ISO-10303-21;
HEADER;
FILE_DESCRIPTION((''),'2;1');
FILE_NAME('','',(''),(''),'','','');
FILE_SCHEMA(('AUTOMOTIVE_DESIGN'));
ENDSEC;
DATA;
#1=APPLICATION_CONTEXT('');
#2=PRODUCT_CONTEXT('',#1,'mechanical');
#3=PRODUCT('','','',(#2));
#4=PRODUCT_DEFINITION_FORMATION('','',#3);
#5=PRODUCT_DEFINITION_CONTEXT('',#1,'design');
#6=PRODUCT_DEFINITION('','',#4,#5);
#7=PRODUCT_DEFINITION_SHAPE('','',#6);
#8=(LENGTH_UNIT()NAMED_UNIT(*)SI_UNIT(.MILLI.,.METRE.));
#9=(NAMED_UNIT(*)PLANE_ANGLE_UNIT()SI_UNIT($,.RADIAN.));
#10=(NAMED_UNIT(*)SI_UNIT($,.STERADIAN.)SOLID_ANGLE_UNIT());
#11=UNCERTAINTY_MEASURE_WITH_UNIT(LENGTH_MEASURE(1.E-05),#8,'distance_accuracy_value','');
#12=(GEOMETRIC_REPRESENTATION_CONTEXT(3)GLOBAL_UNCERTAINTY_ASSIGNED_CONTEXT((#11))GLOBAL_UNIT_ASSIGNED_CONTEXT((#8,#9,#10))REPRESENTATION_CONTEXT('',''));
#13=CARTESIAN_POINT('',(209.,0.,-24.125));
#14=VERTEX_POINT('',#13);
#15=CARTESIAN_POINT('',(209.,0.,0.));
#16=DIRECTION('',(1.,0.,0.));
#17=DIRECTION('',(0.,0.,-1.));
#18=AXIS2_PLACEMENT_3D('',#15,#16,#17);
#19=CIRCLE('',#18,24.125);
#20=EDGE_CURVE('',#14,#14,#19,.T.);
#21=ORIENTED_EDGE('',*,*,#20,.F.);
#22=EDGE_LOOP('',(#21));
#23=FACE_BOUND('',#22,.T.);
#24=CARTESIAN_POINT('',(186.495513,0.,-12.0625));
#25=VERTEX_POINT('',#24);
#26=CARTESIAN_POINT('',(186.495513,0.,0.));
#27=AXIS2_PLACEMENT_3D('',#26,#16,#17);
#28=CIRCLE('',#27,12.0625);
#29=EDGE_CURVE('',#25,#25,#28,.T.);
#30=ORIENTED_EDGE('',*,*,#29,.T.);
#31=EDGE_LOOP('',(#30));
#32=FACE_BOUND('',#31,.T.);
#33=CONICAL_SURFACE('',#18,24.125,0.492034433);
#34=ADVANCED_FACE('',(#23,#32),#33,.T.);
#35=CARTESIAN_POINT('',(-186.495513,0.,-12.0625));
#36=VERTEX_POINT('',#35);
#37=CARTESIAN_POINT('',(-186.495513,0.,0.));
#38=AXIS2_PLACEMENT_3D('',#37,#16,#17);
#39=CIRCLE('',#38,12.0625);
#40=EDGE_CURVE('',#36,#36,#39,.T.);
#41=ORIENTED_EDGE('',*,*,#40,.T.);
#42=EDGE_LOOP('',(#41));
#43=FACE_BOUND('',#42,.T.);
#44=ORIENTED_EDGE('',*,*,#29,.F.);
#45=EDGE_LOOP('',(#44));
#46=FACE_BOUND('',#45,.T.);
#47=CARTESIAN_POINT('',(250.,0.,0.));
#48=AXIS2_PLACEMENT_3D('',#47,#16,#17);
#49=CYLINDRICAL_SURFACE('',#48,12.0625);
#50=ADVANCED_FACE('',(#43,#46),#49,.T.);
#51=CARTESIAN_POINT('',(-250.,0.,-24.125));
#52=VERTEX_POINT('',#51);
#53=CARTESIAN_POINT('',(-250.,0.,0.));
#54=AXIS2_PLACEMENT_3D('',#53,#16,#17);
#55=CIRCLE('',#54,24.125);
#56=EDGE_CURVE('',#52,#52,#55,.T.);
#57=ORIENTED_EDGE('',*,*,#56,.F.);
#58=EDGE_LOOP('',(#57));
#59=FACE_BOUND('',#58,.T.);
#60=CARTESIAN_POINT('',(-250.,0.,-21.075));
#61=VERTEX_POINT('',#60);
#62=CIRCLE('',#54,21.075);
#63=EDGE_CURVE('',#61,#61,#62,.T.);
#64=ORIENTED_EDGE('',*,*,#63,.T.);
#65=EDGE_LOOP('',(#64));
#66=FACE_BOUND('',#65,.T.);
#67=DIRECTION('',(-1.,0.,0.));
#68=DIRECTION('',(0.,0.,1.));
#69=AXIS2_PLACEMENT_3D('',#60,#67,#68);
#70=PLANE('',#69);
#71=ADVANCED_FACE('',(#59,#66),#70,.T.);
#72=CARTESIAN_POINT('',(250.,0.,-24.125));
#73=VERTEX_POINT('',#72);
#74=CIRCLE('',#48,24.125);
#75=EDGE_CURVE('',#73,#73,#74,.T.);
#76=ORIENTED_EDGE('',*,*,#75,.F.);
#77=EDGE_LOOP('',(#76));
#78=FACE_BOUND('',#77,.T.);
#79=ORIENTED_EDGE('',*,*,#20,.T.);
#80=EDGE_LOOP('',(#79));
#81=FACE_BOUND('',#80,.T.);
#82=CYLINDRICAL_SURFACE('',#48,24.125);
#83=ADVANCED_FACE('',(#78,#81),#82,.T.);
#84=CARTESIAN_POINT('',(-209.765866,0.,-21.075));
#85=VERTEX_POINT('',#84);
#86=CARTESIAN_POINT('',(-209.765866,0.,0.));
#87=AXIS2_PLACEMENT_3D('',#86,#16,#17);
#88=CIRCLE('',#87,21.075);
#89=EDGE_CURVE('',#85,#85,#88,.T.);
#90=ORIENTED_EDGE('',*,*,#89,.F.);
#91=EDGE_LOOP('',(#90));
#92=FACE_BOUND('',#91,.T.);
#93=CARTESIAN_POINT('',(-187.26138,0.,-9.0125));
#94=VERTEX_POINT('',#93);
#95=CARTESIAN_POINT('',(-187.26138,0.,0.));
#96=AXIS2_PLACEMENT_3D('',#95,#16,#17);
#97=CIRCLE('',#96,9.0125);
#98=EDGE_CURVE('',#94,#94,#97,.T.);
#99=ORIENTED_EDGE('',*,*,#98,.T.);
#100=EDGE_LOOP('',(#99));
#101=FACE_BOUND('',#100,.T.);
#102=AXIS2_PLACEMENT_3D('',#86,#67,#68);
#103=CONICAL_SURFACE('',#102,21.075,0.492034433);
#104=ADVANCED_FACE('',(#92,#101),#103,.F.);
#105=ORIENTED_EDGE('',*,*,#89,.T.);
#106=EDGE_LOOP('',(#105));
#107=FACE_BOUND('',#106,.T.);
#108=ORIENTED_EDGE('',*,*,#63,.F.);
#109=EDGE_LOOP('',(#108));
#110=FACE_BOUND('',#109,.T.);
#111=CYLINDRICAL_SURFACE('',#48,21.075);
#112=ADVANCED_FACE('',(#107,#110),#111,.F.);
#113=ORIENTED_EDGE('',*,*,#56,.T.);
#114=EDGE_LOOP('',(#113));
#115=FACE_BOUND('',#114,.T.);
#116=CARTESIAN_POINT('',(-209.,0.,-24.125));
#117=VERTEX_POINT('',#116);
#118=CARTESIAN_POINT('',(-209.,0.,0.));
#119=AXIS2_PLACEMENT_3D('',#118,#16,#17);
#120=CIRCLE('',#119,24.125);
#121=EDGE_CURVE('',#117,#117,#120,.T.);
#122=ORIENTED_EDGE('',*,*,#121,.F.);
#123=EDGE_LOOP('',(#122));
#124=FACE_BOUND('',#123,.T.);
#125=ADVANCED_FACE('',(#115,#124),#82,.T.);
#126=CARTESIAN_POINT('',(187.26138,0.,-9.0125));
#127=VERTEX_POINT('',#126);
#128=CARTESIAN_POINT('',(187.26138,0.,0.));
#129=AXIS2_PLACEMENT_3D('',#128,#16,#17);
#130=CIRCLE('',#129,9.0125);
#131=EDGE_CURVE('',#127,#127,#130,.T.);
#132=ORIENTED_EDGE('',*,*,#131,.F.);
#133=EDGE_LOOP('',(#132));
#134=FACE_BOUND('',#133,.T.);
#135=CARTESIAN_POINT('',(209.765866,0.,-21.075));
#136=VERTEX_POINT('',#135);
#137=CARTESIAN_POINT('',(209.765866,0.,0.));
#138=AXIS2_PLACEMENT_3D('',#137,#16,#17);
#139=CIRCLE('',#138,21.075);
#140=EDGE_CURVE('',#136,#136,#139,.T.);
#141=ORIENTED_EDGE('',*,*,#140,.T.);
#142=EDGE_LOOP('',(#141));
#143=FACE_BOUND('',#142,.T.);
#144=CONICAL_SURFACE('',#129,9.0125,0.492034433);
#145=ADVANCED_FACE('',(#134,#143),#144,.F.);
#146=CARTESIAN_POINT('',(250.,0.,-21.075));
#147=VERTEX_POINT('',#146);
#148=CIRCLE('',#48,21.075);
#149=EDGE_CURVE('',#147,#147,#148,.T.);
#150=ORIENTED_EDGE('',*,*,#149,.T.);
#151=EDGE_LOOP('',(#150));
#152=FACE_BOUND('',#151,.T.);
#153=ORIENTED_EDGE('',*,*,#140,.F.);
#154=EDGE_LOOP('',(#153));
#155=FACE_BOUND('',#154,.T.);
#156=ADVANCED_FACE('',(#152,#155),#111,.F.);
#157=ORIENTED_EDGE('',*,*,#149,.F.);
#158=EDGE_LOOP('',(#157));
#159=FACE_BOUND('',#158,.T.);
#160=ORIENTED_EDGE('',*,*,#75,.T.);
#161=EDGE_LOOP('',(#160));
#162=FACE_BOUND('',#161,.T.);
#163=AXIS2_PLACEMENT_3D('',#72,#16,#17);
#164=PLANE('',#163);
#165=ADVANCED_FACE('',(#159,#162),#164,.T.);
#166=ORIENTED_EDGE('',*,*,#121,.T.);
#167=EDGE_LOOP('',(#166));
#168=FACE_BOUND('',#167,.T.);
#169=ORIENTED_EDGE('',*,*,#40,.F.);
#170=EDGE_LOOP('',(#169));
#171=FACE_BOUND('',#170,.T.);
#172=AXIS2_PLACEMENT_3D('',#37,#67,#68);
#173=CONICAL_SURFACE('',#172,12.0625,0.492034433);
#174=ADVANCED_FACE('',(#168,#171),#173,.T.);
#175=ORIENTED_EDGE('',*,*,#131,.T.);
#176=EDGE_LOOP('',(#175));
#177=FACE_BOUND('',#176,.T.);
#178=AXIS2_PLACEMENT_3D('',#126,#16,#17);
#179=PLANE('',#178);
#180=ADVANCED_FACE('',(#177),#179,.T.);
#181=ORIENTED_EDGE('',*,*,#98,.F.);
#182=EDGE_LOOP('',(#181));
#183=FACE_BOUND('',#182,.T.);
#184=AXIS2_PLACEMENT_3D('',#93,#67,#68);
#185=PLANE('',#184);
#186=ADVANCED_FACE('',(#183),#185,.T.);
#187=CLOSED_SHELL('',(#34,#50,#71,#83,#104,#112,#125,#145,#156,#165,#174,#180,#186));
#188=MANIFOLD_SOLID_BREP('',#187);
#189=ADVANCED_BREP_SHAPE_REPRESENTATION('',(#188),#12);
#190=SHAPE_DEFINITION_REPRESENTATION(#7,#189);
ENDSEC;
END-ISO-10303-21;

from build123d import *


with BuildPart() as part:
    # Sketch1 → Revolve1 (revolve)
    with BuildSketch(Plane(origin=(0, 0, 0), x_dir=(1, 0, 0), z_dir=(0, 1, 0))):
        Polygon((-250, 24.125), (-209, 24.125), (-186.495513174, 12.0625), (0, 12.0625), (186.495513174, 12.0625), (209, 24.125), (250, 24.125), (250, 21.075), (209.765866437, 21.075), (187.261379611, 9.0125), (187.261379611, 0), (-187.261379611, 0), (-187.261379611, 9.0125), (-209.765866437, 21.075), (-250, 21.075), align=None)
    revolve(axis=Axis((250, 0, 0), (-1, 0, 0)))


solid = part.part
